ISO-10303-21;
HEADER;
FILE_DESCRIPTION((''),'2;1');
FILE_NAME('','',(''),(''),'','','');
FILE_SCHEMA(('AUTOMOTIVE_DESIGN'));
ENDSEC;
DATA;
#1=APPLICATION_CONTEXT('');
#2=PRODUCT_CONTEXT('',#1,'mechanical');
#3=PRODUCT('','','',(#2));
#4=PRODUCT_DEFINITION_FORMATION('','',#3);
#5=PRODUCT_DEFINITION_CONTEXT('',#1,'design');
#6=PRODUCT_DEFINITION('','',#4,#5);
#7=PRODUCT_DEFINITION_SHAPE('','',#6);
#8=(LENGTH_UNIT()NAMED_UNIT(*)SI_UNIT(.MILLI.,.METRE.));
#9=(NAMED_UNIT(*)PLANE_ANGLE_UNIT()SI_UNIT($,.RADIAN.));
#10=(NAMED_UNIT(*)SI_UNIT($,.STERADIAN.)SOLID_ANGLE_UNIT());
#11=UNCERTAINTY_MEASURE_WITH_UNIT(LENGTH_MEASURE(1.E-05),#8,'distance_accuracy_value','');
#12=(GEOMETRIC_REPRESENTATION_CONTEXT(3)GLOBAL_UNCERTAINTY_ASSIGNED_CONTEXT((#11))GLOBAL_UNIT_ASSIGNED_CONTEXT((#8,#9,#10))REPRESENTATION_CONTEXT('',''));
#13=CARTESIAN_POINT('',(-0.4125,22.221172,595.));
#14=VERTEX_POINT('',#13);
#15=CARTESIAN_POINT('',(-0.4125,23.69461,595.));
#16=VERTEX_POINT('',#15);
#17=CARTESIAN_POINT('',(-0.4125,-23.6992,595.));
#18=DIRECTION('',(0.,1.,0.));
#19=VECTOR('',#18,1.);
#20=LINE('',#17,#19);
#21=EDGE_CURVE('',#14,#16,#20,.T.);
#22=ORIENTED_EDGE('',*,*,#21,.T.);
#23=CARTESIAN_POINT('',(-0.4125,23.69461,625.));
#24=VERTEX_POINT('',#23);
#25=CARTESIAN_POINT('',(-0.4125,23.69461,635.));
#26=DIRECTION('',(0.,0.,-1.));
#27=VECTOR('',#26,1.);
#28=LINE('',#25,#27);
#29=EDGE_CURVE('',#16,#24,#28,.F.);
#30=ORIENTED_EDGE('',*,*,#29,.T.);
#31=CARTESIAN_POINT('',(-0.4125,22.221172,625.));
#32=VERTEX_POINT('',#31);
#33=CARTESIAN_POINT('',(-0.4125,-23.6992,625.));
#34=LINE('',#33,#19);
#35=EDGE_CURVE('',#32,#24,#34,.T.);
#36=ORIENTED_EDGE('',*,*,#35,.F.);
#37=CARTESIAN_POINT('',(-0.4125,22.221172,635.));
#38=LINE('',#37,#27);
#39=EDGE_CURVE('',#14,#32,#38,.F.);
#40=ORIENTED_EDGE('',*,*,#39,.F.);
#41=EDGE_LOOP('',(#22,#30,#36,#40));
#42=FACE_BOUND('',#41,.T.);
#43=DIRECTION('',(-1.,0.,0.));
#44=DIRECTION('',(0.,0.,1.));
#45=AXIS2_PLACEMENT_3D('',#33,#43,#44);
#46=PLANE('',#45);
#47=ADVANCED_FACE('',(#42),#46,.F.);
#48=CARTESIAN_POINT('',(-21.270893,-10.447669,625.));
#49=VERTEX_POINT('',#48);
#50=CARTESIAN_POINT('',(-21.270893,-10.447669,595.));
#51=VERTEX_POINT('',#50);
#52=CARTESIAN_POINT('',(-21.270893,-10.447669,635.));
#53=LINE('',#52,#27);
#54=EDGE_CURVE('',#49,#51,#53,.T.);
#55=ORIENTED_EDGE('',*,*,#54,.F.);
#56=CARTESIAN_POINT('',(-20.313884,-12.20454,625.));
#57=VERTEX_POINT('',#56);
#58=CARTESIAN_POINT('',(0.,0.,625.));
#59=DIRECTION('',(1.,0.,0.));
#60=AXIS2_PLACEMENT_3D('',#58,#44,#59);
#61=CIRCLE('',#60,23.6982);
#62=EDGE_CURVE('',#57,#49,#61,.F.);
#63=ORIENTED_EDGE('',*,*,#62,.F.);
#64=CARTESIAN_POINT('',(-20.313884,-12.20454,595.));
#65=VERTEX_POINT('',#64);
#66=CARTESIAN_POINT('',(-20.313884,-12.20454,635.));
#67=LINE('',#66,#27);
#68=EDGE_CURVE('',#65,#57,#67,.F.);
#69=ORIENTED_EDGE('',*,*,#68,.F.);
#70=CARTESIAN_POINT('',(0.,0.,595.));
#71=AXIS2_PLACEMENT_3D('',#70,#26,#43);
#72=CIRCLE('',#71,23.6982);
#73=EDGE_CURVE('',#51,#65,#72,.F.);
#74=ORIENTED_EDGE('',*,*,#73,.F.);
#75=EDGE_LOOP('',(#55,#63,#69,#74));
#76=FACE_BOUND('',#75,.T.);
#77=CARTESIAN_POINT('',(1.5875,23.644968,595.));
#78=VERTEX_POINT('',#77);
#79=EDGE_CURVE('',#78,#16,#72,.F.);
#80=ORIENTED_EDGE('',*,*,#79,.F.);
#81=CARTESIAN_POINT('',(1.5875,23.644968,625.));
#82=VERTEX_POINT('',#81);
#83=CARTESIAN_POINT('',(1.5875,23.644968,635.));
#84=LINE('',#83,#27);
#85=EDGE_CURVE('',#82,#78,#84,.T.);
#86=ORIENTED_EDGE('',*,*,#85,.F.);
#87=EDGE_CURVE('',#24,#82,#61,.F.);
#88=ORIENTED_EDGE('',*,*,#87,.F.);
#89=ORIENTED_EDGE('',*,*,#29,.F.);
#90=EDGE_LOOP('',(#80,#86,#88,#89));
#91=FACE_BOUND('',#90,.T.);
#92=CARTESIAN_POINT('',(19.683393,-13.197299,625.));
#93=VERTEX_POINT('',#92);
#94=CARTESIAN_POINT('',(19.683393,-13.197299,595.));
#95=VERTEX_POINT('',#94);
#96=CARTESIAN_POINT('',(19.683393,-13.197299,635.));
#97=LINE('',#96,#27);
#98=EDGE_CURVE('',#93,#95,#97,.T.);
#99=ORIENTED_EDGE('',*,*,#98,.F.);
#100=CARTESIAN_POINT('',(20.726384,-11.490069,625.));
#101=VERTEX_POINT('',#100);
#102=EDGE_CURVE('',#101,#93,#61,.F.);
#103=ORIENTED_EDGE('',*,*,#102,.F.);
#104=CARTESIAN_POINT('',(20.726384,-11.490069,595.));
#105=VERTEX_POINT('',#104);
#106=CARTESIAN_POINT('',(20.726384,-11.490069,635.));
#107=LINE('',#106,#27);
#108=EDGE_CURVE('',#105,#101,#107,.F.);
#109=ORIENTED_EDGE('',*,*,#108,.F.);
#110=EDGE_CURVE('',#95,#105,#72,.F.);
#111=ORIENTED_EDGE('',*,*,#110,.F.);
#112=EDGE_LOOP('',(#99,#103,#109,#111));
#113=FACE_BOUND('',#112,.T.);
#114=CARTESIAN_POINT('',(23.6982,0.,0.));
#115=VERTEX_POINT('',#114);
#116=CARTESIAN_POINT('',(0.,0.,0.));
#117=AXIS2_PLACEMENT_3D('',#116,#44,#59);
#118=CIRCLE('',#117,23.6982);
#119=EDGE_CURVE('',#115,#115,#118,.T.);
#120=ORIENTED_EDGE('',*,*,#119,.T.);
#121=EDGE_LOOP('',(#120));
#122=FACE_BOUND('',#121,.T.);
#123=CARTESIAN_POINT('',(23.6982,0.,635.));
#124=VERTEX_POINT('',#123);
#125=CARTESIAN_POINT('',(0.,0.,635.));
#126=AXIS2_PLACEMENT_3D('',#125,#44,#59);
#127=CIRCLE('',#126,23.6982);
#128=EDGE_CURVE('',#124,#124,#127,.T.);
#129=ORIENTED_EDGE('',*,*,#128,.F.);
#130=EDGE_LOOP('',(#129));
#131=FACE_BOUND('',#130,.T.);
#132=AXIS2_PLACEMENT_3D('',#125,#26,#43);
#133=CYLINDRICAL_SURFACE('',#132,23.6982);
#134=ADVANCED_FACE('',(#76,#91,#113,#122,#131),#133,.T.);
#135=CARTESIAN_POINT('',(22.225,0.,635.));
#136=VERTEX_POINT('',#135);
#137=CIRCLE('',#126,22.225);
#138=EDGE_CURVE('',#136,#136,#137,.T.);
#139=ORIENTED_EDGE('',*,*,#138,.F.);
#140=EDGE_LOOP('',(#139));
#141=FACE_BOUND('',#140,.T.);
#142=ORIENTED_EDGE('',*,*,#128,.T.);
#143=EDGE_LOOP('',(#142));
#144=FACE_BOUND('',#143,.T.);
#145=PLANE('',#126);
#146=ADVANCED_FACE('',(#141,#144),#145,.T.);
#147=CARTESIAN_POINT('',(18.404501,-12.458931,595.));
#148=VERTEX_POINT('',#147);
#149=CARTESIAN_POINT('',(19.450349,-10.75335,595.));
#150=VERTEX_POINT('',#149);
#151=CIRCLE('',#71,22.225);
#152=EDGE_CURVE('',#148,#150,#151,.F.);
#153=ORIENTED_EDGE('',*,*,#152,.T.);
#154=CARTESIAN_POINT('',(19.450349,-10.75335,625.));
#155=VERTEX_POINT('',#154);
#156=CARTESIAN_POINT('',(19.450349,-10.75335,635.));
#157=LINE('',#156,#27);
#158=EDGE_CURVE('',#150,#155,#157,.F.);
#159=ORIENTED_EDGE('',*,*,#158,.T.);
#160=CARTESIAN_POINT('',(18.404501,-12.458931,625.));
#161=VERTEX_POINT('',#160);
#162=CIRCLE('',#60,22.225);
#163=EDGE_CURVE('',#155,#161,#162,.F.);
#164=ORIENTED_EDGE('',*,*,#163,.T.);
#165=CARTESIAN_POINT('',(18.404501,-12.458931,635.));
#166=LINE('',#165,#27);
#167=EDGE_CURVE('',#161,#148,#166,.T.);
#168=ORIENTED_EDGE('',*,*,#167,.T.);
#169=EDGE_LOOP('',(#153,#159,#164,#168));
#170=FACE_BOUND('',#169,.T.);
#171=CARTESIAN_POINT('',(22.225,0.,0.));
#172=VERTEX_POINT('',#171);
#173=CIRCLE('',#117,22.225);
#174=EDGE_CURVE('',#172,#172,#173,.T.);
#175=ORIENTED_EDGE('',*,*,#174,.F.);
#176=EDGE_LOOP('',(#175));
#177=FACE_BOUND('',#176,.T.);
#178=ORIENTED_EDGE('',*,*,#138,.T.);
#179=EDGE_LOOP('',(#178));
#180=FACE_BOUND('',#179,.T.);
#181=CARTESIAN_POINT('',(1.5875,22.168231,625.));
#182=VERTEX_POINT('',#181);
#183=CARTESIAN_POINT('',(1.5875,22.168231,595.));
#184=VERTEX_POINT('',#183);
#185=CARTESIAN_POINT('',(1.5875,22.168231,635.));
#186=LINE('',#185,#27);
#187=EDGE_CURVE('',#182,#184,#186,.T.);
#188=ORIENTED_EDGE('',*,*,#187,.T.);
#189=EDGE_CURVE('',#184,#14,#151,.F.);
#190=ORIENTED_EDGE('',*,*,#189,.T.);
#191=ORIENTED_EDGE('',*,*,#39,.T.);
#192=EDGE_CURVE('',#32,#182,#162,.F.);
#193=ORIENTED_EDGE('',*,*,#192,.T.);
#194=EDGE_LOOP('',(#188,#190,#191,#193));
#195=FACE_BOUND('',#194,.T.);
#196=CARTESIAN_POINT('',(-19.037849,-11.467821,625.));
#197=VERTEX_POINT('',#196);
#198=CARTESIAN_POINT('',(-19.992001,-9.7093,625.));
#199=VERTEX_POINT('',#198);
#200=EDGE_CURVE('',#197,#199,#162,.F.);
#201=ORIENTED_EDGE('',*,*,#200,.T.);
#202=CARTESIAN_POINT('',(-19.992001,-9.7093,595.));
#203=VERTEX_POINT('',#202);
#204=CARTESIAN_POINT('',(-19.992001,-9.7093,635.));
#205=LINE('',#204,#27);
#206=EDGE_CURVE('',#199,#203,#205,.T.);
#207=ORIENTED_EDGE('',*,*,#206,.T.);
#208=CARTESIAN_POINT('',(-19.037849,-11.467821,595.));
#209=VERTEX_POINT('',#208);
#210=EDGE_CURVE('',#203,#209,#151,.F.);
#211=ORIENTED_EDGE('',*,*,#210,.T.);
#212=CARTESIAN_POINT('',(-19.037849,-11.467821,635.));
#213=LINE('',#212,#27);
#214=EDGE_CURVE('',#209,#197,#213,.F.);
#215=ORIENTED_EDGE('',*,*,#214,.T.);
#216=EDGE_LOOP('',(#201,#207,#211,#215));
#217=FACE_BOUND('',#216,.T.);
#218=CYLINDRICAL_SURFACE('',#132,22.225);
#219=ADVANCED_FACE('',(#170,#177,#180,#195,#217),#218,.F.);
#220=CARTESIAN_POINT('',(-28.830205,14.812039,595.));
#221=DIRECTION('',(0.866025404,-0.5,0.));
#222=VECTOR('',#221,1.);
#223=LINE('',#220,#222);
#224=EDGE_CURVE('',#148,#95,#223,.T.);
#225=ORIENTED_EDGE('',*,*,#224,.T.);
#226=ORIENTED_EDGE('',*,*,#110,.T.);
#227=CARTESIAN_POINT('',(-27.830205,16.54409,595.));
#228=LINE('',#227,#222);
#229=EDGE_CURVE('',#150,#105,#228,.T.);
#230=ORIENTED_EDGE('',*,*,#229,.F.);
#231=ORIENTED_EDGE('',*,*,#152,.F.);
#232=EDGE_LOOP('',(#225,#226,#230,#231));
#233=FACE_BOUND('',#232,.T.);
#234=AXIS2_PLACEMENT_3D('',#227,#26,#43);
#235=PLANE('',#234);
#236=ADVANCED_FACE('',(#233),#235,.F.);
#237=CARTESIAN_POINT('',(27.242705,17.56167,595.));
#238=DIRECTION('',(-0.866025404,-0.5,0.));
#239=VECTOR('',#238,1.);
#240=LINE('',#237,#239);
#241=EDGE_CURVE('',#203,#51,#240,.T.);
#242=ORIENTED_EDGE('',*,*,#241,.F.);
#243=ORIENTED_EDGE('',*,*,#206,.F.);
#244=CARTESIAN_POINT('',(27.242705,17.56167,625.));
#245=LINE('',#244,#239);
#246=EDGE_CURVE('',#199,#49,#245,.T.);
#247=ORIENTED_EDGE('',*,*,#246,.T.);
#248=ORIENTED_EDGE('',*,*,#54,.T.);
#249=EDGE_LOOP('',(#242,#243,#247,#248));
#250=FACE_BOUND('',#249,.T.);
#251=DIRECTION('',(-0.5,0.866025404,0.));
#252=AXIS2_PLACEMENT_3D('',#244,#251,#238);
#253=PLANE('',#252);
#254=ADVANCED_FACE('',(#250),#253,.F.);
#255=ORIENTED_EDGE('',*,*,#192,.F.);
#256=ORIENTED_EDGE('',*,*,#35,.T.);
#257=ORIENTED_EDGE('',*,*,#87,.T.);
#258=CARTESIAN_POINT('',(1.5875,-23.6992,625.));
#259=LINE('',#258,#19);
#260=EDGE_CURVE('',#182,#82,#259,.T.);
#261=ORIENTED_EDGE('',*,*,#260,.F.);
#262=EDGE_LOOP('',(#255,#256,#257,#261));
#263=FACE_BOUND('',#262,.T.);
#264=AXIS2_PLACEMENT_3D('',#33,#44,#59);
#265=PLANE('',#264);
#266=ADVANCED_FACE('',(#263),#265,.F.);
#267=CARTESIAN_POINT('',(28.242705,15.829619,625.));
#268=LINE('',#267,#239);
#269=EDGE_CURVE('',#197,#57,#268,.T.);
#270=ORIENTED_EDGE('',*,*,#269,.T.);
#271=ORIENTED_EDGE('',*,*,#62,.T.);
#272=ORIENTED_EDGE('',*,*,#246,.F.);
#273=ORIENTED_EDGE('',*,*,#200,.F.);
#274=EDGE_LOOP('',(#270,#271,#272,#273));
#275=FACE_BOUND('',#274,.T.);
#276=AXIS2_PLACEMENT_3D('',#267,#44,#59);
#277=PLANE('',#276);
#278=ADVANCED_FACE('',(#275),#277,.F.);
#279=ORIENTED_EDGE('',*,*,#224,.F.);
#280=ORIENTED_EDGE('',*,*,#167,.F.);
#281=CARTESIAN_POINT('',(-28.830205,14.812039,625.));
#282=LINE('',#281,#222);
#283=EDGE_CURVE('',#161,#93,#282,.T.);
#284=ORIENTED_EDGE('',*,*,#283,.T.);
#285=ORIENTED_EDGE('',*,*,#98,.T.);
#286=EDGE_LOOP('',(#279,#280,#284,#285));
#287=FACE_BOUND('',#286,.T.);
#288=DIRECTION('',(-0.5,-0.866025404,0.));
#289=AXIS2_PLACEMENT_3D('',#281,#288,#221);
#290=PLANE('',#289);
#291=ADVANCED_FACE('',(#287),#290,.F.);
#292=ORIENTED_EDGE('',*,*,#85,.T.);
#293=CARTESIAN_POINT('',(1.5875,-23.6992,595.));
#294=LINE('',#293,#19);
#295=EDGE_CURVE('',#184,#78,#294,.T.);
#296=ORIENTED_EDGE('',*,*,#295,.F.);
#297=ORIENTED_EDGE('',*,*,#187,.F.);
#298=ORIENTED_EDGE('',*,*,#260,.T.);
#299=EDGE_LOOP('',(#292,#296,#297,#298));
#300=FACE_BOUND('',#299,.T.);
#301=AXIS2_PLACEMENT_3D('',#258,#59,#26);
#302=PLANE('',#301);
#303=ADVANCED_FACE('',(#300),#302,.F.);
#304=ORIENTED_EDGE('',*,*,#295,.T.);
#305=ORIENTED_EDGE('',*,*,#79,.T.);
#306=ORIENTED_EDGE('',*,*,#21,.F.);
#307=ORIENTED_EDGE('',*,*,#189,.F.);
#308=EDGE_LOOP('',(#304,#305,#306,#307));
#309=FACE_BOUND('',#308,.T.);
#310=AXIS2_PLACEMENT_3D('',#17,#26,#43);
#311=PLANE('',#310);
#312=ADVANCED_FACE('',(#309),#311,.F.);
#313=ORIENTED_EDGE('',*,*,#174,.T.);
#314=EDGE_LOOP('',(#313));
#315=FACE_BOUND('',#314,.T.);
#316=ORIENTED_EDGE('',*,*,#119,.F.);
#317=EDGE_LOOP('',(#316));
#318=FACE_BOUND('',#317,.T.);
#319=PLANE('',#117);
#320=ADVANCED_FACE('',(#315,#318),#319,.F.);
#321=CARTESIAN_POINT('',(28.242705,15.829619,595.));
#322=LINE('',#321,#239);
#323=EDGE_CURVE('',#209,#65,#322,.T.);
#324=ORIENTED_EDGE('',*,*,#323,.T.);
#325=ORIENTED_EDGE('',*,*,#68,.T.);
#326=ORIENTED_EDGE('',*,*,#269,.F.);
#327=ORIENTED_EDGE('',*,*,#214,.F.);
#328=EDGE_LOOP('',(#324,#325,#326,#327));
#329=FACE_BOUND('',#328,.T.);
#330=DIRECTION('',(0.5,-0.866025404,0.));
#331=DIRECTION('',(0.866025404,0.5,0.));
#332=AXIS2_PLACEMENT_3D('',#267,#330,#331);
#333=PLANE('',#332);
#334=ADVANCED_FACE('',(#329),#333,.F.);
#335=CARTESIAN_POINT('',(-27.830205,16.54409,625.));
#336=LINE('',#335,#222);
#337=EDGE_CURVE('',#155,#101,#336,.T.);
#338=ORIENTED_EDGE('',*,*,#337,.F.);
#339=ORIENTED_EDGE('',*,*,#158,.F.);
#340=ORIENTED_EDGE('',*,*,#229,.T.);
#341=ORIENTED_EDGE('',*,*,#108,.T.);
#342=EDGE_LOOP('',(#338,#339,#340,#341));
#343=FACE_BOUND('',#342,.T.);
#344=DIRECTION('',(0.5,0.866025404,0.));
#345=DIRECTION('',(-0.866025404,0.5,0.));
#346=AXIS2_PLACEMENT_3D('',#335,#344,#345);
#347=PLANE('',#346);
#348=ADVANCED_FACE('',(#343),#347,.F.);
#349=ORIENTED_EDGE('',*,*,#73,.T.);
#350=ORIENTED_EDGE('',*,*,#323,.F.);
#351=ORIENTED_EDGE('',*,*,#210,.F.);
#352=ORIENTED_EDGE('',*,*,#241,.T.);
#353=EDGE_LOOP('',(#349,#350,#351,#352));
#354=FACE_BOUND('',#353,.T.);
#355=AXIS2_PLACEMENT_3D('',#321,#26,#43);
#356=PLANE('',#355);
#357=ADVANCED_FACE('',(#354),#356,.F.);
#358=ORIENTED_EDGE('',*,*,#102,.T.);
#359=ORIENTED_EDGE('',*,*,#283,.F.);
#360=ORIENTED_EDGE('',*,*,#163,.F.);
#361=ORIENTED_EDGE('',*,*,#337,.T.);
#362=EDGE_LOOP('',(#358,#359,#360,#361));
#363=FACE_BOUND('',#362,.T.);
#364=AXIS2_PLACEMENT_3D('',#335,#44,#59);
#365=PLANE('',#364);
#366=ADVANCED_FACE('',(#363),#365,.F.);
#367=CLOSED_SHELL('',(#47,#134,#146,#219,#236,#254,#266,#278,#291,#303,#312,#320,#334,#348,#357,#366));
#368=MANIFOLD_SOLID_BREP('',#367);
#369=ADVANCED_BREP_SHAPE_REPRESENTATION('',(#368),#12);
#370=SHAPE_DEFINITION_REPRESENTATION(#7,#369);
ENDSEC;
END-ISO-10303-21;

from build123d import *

# Parameters (mm, degrees)
SKETCH1_R           = 23.6982
SKETCH1_R_2         = 22.225
BOSS_EXTRUDE1_DEPTH = 635
CUT_EXTRUDE1_START  = -77.831769
SKETCH2_W           = 2
SKETCH2_H           = 30
CUT_EXTRUDE1_DEPTH  = 1.529969
CIRPATTERN2_COUNT   = 3


with BuildPart() as part:
    # Sketch1 → Boss-Extrude1 (new body)
    with BuildSketch(Plane.XY):
        Circle(SKETCH1_R)
        Circle(SKETCH1_R_2, mode=Mode.SUBTRACT)
    extrude(amount=BOSS_EXTRUDE1_DEPTH)

    # Sketch2 → Cut-Extrude1 (cut)
    with BuildSketch(Plane(origin=(0, 100, 0), x_dir=(1, 0, 0), z_dir=(0, 1, 0)).offset(CUT_EXTRUDE1_START)):
        with Locations((0.5875, -610)):
            Rectangle(SKETCH2_W, SKETCH2_H)
    cut_extrude1 = extrude(amount=CUT_EXTRUDE1_DEPTH, mode=Mode.SUBTRACT)

    # CirPattern2: Cut-Extrude1 ×3 about axis
    cirpattern2_axis = Axis((0, 0, 0), (0, 0, 1))
    for i in range(1, CIRPATTERN2_COUNT):
        add(cut_extrude1.rotate(cirpattern2_axis, i * 360 / CIRPATTERN2_COUNT), mode=Mode.SUBTRACT)


solid = part.part
